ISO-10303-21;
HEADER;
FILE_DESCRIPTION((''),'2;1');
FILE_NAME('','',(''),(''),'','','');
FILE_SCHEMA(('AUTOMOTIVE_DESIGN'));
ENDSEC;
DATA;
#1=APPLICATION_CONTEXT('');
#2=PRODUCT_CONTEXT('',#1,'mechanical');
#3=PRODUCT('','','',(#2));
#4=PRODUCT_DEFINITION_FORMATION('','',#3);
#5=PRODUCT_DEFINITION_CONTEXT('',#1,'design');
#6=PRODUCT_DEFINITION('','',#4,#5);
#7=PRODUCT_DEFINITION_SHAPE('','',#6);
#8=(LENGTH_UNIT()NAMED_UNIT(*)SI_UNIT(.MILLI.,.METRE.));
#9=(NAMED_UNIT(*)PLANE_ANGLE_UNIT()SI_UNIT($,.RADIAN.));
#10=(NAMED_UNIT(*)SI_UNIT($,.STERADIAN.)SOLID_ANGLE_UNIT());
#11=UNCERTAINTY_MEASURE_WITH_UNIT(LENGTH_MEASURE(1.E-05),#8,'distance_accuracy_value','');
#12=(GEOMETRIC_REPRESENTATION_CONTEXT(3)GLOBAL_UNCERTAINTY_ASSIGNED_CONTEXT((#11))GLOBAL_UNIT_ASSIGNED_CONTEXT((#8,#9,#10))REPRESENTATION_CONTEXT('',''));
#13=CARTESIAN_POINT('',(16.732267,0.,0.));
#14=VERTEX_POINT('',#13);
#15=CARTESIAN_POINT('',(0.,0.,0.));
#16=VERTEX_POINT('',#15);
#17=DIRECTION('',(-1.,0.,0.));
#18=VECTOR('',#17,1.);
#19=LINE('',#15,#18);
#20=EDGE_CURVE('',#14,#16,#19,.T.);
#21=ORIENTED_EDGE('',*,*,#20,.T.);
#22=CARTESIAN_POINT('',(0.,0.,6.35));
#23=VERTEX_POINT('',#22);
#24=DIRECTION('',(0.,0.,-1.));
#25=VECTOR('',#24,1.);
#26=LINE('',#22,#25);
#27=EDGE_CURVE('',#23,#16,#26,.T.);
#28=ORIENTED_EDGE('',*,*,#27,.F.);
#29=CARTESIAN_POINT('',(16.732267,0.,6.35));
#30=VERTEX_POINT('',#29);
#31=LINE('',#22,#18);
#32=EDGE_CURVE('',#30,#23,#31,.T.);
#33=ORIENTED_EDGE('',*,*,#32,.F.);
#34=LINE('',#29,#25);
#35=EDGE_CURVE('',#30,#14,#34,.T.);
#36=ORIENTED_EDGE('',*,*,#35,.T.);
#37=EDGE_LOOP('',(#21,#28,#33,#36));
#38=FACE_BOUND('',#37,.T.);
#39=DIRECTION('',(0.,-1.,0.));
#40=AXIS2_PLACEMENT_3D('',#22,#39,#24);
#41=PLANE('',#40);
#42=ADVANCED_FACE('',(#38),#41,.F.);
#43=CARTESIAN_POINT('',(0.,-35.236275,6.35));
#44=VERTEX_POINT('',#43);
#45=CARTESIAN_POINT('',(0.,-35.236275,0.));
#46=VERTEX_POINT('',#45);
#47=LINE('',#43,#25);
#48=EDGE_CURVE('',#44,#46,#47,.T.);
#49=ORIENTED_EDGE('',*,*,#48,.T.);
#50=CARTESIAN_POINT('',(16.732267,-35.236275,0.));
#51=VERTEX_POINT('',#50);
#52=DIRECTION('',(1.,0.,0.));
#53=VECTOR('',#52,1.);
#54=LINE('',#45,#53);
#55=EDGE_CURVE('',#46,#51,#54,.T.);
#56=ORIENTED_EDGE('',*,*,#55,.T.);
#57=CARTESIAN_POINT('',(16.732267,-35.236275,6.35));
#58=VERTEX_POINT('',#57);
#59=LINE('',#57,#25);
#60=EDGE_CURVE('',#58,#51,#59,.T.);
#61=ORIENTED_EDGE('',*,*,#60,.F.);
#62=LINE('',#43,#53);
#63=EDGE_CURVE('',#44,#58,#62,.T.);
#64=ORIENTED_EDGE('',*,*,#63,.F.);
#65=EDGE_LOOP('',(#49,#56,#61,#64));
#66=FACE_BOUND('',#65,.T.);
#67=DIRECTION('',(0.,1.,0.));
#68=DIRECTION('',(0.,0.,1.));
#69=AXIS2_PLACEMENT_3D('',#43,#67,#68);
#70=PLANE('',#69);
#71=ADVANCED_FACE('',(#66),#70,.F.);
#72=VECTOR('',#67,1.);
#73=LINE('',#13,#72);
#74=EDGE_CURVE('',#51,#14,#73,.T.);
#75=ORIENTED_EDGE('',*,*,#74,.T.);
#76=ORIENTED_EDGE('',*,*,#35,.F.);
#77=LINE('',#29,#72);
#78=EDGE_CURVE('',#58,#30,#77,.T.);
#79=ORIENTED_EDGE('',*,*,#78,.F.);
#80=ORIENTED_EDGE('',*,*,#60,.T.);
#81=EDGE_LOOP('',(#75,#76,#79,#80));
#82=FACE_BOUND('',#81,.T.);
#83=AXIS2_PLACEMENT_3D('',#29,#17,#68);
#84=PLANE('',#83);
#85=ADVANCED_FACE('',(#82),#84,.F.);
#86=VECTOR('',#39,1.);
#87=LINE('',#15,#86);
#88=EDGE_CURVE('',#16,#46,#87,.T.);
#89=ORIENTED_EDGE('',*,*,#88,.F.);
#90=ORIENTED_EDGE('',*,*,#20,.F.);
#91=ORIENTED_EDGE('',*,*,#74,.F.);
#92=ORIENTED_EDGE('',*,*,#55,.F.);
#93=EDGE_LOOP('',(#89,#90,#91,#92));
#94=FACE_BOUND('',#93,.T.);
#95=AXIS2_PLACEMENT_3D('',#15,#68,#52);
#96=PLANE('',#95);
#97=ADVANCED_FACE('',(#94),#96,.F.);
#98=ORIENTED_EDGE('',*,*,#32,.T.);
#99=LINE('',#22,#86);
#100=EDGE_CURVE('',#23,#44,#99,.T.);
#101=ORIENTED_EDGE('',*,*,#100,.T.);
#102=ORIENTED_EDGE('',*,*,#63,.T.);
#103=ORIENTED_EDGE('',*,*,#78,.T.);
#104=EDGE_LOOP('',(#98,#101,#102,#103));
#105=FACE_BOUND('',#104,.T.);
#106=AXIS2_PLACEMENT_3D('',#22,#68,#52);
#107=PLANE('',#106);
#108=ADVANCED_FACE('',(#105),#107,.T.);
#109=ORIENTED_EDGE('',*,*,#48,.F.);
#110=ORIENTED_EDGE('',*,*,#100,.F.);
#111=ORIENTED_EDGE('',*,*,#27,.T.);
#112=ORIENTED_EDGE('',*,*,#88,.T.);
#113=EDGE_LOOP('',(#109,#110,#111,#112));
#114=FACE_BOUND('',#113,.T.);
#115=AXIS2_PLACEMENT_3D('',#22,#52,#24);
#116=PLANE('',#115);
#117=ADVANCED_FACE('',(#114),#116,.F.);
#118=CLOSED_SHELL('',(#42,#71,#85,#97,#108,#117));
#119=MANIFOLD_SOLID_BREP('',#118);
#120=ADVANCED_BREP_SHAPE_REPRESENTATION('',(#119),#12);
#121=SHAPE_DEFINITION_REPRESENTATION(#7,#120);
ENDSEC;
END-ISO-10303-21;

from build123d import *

# Parameters (mm, degrees)
SKETCH1_W           = 16.732266826
SKETCH1_H           = 35.23627451
BOSS_EXTRUDE1_DEPTH = 6.35


with BuildPart() as part:
    # Sketch1 → Boss-Extrude1 (new body)
    with BuildSketch(Plane.XY):
        with Locations((8.366133413, -17.618137255)):
            Rectangle(SKETCH1_W, SKETCH1_H)
    extrude(amount=BOSS_EXTRUDE1_DEPTH)


solid = part.part
